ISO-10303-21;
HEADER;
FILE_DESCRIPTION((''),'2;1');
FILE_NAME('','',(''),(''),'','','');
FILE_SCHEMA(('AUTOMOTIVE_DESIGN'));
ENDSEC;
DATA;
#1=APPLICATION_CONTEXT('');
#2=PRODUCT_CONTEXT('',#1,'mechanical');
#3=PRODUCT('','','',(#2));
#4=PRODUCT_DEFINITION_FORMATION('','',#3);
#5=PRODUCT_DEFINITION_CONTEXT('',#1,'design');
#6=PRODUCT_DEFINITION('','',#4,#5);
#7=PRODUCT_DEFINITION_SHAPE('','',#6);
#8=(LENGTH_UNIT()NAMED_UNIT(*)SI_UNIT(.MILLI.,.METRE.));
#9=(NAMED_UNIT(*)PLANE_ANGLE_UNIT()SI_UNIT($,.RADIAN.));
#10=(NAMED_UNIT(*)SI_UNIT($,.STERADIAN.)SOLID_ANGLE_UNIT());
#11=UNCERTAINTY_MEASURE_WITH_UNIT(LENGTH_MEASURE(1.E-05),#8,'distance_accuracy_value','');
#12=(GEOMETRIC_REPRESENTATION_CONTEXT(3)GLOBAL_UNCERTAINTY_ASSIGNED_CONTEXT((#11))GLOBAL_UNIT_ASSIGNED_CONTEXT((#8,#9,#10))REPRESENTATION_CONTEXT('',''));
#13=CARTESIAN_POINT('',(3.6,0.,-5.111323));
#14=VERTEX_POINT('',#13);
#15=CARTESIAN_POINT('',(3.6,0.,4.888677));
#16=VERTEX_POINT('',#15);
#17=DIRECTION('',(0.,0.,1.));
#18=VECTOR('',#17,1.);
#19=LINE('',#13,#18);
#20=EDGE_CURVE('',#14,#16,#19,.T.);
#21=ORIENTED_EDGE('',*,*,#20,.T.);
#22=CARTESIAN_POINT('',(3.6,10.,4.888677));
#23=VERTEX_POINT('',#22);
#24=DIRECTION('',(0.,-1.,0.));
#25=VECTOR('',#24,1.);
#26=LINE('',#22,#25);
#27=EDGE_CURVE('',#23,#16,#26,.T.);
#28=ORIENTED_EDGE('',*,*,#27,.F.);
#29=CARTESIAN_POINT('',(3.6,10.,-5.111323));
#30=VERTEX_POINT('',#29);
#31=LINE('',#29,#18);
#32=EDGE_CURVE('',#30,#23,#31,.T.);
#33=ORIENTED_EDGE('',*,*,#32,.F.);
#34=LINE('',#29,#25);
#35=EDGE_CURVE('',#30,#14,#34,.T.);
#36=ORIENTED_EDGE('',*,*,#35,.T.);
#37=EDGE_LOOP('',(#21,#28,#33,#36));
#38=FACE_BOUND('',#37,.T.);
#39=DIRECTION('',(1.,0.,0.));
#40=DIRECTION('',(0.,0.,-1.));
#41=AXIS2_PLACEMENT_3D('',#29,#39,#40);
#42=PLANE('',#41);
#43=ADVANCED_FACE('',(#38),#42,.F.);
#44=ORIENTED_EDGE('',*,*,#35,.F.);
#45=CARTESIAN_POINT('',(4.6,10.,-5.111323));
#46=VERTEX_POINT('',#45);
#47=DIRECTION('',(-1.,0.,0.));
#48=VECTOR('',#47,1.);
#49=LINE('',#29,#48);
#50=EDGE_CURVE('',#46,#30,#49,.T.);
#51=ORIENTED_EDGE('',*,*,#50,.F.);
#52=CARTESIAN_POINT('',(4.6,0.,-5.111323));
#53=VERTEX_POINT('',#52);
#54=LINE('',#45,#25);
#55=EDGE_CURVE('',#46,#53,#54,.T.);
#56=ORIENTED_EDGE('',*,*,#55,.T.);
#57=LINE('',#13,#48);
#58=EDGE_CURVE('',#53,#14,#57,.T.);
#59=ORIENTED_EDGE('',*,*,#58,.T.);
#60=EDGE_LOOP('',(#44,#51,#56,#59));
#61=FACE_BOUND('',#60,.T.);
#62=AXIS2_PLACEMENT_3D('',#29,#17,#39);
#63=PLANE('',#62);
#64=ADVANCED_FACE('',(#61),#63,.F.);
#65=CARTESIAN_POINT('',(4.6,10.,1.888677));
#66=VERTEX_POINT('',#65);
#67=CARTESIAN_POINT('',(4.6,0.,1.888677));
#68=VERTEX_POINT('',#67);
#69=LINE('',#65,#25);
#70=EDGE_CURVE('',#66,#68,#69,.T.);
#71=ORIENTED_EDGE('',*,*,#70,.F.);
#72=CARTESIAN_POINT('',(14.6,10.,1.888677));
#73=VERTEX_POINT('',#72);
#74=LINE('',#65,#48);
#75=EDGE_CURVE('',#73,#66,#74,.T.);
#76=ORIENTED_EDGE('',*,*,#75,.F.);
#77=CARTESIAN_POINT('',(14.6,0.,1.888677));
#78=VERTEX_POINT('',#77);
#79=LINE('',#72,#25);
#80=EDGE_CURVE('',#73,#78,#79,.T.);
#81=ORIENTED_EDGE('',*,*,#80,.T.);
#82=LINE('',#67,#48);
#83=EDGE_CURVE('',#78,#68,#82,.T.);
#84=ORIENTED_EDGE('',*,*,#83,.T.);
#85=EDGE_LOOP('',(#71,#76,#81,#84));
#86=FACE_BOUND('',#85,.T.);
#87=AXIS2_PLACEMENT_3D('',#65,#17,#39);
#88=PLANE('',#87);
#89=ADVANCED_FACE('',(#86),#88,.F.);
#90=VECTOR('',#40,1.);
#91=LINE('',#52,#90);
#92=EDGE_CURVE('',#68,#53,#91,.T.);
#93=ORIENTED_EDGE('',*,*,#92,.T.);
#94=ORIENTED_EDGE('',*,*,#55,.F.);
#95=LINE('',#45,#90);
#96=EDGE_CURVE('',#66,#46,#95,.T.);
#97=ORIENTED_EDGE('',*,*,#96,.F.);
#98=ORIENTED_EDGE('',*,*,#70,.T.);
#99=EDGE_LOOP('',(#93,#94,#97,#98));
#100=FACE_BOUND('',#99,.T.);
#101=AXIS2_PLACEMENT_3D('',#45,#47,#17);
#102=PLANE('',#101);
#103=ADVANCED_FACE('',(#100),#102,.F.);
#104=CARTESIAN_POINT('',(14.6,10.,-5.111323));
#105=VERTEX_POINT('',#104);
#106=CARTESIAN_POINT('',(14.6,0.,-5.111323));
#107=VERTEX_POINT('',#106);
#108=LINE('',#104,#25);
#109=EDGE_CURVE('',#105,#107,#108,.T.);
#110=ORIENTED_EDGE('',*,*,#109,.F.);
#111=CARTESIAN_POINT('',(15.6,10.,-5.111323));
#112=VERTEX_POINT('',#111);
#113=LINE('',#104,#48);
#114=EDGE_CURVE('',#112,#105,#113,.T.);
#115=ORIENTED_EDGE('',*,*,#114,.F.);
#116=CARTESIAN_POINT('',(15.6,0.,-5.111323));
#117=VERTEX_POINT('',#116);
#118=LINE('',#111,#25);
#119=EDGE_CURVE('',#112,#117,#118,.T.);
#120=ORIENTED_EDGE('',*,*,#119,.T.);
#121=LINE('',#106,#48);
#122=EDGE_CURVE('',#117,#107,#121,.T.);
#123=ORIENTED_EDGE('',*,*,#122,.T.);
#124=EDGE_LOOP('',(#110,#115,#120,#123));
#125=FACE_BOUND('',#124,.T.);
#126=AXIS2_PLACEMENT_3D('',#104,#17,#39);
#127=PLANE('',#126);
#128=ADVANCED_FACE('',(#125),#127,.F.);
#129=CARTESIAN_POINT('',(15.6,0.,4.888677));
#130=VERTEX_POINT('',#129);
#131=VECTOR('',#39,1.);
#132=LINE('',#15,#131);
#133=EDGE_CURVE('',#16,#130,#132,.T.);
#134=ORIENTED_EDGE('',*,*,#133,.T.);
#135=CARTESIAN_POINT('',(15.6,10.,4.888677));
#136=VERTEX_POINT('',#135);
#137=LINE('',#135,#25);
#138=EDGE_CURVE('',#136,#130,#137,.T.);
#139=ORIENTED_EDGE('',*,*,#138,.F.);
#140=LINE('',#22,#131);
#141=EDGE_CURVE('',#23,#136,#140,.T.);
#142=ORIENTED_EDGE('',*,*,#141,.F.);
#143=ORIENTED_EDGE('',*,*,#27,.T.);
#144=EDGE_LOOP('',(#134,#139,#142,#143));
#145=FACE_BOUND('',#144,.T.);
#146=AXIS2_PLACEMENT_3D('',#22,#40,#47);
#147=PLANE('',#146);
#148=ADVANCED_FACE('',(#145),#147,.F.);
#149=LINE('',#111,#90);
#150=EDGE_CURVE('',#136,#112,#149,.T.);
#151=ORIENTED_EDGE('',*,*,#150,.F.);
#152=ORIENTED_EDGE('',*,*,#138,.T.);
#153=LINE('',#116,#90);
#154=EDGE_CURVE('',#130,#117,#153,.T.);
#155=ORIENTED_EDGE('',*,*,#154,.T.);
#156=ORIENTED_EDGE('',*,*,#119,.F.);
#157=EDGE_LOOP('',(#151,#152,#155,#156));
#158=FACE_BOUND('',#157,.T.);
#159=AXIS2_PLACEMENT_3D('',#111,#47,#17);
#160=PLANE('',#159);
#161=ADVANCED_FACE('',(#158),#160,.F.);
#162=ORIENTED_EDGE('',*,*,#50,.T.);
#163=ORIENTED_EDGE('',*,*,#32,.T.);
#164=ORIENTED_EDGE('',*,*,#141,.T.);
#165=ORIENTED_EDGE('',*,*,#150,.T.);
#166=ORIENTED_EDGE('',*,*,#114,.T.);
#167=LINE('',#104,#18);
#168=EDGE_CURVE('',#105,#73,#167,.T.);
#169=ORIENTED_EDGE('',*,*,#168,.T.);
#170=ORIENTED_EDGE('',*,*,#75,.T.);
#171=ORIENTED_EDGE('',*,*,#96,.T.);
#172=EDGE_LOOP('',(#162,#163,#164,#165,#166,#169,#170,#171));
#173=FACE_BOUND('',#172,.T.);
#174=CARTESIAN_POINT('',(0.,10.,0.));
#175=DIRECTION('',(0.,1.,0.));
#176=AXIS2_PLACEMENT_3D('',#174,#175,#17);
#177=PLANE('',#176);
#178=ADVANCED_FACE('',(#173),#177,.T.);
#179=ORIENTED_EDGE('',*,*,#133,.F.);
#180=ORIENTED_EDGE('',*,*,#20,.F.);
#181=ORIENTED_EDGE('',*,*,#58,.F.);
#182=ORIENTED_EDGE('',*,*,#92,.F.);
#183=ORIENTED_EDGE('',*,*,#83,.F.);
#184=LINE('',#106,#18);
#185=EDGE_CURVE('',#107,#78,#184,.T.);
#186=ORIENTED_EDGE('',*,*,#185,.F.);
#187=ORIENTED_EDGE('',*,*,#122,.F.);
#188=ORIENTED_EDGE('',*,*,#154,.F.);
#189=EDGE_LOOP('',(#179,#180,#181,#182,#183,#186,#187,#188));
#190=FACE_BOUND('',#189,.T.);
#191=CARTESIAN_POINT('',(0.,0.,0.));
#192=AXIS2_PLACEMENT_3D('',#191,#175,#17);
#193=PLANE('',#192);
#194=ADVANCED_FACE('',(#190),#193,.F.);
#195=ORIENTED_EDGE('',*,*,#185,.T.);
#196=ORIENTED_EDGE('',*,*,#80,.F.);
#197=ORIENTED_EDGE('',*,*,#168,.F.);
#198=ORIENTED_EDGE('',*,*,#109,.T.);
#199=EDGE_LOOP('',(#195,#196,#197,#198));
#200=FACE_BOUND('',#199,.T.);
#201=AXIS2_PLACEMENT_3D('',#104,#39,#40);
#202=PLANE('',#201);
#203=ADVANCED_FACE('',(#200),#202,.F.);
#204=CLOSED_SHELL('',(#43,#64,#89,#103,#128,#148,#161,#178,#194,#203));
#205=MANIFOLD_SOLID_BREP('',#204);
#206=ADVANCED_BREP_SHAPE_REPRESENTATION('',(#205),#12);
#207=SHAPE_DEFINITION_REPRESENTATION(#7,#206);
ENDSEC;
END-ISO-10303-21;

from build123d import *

# Parameters (mm, degrees)
BOSS_EXTRUDE1_DEPTH = 10


with BuildPart() as part:
    # Sketch1 → Boss-Extrude1 (new body)
    with BuildSketch(Plane(origin=(0, 0, 0), x_dir=(1, 0, 0), z_dir=(0, 1, 0))):
        Polygon((14.6, 5.111322526), (15.6, 5.111322526), (15.6, -4.888677474), (3.6, -4.888677474), (3.6, 5.111322526), (4.6, 5.111322526), (4.6, -1.888677474), (14.6, -1.888677474), align=None)
    extrude(amount=BOSS_EXTRUDE1_DEPTH)


solid = part.part
